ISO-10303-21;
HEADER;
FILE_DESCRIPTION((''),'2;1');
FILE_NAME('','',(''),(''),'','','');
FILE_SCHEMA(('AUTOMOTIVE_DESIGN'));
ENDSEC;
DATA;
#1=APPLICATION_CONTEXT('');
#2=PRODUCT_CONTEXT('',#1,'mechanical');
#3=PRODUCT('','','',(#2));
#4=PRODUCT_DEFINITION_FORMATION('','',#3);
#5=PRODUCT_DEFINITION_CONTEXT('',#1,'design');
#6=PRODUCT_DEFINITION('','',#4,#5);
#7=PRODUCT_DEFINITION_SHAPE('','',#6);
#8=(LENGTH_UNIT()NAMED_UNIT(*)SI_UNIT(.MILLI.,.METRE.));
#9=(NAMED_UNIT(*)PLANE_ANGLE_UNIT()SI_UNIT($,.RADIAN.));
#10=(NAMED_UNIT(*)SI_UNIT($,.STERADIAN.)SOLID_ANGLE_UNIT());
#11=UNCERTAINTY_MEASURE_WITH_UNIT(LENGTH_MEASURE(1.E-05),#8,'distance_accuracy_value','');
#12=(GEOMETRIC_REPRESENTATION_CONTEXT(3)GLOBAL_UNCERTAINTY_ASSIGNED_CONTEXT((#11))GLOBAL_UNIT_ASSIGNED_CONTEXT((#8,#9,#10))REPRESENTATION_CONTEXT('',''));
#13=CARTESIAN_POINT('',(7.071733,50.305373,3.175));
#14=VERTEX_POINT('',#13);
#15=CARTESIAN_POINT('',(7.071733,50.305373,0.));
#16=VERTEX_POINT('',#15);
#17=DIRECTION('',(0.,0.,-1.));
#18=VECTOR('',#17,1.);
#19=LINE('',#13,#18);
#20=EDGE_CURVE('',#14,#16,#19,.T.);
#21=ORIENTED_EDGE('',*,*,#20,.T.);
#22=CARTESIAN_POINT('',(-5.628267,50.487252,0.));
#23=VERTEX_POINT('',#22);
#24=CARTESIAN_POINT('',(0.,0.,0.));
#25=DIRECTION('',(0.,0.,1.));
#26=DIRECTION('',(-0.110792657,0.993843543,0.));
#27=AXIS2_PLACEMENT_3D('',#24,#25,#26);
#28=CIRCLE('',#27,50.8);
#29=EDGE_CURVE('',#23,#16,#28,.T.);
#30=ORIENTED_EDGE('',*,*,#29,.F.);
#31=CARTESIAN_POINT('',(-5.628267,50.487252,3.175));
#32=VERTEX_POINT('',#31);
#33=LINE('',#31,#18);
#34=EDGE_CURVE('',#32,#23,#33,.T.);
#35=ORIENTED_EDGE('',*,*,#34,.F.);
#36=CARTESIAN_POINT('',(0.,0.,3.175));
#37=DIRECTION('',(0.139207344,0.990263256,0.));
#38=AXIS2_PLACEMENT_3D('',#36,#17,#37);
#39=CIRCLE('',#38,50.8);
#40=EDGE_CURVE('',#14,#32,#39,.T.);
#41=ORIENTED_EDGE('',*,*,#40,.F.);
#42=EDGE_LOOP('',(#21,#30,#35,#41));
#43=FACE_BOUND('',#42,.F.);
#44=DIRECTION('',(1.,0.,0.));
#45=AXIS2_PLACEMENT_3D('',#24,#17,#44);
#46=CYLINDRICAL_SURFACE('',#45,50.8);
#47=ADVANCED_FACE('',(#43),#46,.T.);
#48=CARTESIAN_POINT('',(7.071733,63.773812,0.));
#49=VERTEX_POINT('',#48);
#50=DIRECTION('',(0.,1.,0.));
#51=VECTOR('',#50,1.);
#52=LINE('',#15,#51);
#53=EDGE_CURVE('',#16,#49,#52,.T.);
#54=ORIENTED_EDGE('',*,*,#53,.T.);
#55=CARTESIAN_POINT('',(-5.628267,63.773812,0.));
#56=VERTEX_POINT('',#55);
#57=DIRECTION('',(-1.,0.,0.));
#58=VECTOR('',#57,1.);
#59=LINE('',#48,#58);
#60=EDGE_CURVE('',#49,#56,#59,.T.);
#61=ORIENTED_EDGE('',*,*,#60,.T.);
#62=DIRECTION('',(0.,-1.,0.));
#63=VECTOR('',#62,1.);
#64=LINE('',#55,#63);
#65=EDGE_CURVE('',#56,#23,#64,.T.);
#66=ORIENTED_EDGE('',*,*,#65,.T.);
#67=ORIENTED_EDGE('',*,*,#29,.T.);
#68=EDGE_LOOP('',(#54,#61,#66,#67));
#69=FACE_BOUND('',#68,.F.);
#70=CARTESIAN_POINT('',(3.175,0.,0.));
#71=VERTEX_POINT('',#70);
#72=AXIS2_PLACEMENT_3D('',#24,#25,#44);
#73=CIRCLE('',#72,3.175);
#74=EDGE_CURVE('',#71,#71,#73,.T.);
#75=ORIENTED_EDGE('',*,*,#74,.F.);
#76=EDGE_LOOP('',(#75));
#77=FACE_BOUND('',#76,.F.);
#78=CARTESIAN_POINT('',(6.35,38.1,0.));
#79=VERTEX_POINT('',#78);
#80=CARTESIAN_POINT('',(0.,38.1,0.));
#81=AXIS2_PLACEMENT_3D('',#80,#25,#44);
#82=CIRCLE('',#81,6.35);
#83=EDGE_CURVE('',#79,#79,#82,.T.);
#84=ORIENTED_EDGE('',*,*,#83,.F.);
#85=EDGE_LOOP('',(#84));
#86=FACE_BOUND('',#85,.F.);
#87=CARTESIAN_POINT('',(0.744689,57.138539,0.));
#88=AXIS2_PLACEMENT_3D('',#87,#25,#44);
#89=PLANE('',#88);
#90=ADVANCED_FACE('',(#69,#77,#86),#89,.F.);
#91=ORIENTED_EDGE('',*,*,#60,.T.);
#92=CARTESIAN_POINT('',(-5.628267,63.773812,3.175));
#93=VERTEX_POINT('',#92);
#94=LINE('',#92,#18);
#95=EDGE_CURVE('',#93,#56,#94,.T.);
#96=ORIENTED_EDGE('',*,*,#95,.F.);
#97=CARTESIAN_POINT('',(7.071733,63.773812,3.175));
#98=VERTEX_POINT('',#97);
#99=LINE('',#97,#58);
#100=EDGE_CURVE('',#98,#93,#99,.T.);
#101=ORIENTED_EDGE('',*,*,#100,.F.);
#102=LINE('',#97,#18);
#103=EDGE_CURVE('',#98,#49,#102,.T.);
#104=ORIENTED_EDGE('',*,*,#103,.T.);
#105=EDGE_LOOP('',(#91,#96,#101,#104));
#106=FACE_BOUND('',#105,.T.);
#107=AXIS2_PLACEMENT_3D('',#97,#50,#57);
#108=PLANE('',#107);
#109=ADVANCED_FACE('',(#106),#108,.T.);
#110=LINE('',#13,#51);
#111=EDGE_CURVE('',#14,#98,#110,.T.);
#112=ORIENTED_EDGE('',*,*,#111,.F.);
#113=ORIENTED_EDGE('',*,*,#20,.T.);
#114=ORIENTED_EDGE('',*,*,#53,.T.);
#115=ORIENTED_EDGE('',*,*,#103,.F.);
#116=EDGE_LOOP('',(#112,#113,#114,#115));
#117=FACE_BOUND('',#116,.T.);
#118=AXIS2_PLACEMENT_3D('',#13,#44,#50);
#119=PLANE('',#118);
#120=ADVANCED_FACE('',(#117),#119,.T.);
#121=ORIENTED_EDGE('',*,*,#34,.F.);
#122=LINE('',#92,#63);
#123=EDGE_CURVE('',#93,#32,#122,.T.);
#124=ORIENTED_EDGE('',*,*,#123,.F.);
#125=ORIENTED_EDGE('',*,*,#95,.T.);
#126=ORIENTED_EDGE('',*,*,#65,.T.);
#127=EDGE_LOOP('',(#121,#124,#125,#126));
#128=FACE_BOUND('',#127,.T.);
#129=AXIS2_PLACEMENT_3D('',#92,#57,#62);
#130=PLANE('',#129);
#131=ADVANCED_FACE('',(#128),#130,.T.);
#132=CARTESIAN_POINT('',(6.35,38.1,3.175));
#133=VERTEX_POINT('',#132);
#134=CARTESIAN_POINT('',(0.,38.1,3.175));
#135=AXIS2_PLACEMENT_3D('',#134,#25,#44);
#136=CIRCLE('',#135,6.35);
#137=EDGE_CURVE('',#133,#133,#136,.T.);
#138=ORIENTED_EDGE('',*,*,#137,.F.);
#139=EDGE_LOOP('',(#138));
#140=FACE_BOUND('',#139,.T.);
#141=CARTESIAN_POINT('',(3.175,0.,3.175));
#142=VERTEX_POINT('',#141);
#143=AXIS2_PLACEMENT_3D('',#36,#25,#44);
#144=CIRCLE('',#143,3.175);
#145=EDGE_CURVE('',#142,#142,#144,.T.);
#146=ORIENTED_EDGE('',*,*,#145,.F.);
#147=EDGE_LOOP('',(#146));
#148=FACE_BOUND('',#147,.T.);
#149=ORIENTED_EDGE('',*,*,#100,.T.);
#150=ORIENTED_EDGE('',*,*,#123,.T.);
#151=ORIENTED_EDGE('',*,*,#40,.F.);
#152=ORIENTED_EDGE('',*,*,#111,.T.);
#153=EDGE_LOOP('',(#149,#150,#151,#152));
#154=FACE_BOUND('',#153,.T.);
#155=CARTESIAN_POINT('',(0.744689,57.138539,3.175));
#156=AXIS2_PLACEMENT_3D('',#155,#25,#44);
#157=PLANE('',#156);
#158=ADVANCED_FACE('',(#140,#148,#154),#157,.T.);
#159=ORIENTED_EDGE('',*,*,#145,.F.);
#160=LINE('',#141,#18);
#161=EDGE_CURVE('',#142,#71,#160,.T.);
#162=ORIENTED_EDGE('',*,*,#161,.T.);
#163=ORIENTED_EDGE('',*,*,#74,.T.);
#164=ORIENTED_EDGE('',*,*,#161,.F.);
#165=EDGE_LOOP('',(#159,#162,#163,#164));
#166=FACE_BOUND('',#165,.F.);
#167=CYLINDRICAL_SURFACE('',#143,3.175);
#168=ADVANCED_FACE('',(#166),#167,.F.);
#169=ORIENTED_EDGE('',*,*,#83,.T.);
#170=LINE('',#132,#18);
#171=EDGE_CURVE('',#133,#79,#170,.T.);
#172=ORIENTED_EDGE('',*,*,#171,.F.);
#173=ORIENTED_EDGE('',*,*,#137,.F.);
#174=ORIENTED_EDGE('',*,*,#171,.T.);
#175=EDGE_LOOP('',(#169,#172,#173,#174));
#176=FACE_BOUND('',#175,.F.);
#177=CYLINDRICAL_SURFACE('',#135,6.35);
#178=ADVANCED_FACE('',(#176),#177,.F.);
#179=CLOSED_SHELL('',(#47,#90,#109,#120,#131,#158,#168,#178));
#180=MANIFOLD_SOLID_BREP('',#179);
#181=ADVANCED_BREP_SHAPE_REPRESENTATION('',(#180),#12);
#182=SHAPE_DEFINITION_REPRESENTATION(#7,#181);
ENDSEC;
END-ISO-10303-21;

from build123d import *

# Parameters (mm, degrees)
F0_R     = 50.8
F1_DEPTH = 3.175
F2_R     = 6.35
F3_DEPTH = 3.175
F4_R     = 3.175
F5_DEPTH = 25.4
F7_DEPTH = 3.175


with BuildPart() as f1:
    # F0 (on Top) → F1 (new body)
    with BuildSketch(Plane.XY):
        Circle(F0_R)
    extrude(amount=F1_DEPTH)

    # F2 (on face) → F3 (cut)
    with BuildSketch(Plane.XY.offset(3.175)):
        with Locations((0, 38.1)):
            Circle(F2_R)
    extrude(amount=-F3_DEPTH, mode=Mode.SUBTRACT)

    # F4 (on face) → F5 (cut)
    with BuildSketch(Plane.XY.offset(3.175)):
        Circle(F4_R)
    extrude(amount=-F5_DEPTH, mode=Mode.SUBTRACT)

    # F6 (on face) → F7 (join)
    with BuildSketch(Plane.XY.offset(3.175)):
        with BuildLine():
            Line((-5.628267, 63.773812), (-5.628267, 50.487252))
            ThreePointArc((-5.628267, 50.487252), (0.72744, 50.794791), (7.071733, 50.305373))
            Line((7.071733, 50.305373), (7.071733, 63.773812))
            Line((7.071733, 63.773812), (-5.628267, 63.773812))
        make_face()
    extrude(amount=-F7_DEPTH)


solid = f1.part
